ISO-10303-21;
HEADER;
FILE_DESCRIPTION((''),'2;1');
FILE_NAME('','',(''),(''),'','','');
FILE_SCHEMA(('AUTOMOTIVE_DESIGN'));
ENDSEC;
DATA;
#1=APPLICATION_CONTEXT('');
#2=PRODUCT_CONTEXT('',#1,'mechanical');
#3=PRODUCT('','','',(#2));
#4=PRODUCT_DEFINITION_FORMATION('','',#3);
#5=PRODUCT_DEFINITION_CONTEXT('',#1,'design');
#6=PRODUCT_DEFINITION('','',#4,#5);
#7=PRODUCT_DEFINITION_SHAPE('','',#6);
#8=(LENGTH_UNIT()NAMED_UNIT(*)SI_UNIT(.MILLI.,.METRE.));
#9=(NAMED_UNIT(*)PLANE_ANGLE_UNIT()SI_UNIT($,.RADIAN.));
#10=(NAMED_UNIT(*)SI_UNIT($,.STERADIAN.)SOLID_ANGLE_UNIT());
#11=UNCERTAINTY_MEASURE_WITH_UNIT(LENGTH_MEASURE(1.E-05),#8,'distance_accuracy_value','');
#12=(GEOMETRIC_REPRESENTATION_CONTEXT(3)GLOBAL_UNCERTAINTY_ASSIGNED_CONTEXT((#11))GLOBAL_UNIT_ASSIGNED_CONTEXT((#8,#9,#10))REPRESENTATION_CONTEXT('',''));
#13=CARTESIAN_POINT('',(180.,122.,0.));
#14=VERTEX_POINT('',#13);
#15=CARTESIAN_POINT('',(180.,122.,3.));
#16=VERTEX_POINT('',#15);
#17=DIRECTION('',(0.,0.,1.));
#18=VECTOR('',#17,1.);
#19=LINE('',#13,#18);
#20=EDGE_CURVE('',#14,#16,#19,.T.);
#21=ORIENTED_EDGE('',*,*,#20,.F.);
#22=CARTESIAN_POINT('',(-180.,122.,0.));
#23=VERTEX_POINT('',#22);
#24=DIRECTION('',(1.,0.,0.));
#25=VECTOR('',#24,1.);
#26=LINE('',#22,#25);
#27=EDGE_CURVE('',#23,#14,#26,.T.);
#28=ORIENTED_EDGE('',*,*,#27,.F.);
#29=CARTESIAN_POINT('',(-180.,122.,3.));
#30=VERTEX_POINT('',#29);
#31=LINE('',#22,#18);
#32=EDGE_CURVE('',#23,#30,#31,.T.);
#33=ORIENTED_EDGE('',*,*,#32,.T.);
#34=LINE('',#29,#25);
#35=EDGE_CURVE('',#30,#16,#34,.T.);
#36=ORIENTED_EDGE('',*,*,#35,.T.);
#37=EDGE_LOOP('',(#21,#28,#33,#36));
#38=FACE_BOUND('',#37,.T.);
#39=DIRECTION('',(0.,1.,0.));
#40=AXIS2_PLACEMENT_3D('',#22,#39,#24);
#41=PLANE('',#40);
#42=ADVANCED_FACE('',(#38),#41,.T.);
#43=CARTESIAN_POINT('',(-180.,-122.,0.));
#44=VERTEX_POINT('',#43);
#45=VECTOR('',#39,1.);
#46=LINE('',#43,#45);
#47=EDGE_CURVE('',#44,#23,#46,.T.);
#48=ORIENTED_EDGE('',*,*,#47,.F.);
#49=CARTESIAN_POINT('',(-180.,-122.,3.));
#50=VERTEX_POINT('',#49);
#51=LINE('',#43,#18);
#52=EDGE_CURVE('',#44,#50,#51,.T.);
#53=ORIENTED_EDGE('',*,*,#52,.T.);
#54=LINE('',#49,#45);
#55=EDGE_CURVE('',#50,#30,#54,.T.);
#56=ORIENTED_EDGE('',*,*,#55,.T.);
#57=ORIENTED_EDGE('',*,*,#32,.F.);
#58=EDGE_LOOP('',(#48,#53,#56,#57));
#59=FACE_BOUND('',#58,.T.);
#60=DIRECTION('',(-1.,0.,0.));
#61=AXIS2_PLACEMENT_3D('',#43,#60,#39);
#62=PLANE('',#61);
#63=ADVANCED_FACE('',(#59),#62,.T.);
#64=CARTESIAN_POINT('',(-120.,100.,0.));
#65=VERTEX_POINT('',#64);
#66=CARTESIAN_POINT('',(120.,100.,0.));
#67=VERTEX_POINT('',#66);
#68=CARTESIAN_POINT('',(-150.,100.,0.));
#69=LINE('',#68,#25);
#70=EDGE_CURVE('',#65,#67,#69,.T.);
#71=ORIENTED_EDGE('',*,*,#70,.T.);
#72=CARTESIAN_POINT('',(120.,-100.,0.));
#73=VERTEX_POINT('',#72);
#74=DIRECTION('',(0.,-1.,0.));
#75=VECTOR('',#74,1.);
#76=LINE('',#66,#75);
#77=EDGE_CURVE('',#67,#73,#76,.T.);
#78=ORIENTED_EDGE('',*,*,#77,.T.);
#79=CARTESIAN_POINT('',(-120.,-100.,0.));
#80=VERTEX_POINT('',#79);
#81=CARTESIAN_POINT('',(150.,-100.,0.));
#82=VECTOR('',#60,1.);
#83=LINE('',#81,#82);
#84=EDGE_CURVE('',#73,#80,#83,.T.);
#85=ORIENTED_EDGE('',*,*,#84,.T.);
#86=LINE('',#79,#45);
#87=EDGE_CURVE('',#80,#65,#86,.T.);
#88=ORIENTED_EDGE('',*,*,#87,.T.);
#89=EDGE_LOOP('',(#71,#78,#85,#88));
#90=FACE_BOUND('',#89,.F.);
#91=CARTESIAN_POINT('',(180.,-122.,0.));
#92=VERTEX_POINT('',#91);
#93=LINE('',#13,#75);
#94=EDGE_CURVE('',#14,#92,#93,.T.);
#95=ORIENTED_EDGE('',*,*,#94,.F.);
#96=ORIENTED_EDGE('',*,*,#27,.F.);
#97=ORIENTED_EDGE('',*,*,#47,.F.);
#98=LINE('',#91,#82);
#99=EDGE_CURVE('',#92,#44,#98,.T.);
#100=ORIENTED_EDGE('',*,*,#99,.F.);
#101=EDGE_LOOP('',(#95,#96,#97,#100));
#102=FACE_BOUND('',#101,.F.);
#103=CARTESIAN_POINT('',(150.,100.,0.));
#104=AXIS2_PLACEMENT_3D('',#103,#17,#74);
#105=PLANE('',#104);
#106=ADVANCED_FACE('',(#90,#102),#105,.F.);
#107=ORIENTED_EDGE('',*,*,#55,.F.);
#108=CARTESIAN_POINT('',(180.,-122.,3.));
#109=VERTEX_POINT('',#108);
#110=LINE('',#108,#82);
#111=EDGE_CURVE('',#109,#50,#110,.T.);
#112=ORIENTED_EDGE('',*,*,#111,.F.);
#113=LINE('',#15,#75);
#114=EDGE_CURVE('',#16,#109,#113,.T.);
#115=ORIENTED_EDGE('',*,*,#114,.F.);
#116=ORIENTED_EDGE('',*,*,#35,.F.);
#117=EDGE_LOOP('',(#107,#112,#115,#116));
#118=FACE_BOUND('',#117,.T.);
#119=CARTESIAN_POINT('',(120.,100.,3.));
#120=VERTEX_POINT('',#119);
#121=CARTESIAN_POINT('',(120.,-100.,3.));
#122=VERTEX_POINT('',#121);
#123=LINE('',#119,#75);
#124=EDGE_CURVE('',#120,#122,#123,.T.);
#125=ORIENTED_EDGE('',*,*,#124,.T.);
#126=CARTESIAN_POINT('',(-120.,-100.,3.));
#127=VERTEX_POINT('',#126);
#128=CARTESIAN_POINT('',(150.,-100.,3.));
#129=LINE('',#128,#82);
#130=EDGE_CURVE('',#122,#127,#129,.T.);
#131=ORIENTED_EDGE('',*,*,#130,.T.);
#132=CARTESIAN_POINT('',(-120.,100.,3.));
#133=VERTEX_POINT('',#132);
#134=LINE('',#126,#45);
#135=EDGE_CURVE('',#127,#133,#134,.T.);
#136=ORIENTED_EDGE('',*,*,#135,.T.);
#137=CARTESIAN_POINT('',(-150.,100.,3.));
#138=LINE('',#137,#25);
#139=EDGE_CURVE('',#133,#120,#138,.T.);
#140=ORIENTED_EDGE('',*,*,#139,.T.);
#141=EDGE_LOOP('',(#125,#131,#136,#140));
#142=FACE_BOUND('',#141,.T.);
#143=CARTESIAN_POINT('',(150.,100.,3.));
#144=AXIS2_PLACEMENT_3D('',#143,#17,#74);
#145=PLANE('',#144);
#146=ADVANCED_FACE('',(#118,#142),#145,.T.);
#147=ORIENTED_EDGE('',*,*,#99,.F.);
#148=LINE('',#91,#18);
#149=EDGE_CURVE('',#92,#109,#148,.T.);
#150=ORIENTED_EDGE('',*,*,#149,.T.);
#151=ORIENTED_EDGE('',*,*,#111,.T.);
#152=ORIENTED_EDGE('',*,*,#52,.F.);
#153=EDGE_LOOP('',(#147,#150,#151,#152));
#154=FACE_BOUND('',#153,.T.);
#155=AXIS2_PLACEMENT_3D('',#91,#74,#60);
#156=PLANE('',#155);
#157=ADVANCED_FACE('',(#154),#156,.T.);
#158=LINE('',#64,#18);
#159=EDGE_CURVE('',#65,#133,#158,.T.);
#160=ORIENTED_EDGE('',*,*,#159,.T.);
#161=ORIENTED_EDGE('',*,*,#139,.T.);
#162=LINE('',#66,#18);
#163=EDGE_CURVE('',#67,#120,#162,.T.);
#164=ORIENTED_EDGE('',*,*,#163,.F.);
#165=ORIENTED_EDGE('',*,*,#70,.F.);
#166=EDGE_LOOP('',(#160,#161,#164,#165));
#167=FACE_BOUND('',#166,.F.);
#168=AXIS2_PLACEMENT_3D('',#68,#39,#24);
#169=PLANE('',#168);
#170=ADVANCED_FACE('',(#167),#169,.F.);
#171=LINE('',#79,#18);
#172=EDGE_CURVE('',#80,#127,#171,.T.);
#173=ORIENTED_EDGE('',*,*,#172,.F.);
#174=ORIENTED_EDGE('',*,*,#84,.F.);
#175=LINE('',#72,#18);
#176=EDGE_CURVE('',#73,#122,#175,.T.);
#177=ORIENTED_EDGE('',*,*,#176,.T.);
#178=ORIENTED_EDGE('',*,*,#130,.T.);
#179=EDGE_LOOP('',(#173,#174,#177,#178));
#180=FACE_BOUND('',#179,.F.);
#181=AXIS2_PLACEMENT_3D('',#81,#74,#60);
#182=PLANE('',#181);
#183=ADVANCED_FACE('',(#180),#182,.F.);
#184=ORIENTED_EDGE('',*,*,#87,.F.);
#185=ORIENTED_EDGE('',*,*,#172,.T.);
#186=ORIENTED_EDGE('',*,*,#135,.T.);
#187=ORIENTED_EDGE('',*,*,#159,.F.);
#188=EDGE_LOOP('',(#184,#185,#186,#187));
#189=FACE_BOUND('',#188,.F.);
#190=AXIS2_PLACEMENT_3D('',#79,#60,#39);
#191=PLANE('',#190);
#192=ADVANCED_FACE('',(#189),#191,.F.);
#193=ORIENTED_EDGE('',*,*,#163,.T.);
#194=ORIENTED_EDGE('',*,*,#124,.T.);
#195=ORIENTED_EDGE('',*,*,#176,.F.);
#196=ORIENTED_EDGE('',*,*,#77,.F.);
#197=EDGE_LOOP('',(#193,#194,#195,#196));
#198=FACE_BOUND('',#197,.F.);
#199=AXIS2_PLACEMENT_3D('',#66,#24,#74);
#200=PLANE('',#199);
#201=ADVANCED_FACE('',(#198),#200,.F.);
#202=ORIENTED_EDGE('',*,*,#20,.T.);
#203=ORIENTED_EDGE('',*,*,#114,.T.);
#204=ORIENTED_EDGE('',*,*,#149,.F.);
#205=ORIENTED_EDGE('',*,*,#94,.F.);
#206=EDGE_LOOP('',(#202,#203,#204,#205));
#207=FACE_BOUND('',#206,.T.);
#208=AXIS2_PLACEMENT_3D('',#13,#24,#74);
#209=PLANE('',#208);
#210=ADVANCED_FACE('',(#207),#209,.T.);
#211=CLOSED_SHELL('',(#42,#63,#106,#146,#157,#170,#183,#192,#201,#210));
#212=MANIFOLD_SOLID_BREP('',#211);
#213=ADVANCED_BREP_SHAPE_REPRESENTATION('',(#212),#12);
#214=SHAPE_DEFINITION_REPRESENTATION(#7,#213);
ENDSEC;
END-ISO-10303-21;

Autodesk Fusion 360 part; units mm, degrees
sketch "Sketch1" plane through (0, 0, 0) normal (0, 0, 1) x (1, 0, 0)
  line L0 (-180, 122) -> (180, 122)
  line L1 (180, 122) -> (180, -122)
  line L2 (180, -122) -> (-180, -122)
  line L3 (-180, -122) -> (-180, 122)
  line L4 (-180, 122) -> (180, -122) construction
  line L5 (180, 122) -> (-180, -122) construction
  line L6 (-150, 100) -> (150, 100)
  line L7 (150, 100) -> (150, -100)
  line L8 (150, -100) -> (-150, -100)
  line L9 (-150, -100) -> (-150, 100)
  line L10 (-150, 100) -> (150, -100) construction
  line L11 (150, 100) -> (-150, -100) construction
  dimension "d1" = 244
  dimension "d2" = 360
  dimension "d3" = 300
  dimension "d4" = 200
extrude "Extrude1" add sketch "Sketch1" along normal blind 3
extrude "Extrude2" add 1 faces at (-150, -33.3333, 1) along direction (1, 0, 0) blind 30
extrude "Extrude3" add 1 faces at (150, 33.3333, 1) along direction (-1, 0, 0) blind 30
sketch "Sketch2" plane through (0, 0, 3) normal (0, 0, 1) x (-1, 0, 0)
  line L0 (-120, 100) -> (120, 100)
  line L1 (120, 100) -> (120, -100)
  line L2 (120, -100) -> (-120, -100)
  line L3 (-120, -100) -> (-120, 100)
  line L4 (180, 122) -> (-180, 122)
  line L5 (-180, 122) -> (-180, -122)
  line L6 (-180, -122) -> (180, -122)
  line L7 (180, -122) -> (180, 122)
